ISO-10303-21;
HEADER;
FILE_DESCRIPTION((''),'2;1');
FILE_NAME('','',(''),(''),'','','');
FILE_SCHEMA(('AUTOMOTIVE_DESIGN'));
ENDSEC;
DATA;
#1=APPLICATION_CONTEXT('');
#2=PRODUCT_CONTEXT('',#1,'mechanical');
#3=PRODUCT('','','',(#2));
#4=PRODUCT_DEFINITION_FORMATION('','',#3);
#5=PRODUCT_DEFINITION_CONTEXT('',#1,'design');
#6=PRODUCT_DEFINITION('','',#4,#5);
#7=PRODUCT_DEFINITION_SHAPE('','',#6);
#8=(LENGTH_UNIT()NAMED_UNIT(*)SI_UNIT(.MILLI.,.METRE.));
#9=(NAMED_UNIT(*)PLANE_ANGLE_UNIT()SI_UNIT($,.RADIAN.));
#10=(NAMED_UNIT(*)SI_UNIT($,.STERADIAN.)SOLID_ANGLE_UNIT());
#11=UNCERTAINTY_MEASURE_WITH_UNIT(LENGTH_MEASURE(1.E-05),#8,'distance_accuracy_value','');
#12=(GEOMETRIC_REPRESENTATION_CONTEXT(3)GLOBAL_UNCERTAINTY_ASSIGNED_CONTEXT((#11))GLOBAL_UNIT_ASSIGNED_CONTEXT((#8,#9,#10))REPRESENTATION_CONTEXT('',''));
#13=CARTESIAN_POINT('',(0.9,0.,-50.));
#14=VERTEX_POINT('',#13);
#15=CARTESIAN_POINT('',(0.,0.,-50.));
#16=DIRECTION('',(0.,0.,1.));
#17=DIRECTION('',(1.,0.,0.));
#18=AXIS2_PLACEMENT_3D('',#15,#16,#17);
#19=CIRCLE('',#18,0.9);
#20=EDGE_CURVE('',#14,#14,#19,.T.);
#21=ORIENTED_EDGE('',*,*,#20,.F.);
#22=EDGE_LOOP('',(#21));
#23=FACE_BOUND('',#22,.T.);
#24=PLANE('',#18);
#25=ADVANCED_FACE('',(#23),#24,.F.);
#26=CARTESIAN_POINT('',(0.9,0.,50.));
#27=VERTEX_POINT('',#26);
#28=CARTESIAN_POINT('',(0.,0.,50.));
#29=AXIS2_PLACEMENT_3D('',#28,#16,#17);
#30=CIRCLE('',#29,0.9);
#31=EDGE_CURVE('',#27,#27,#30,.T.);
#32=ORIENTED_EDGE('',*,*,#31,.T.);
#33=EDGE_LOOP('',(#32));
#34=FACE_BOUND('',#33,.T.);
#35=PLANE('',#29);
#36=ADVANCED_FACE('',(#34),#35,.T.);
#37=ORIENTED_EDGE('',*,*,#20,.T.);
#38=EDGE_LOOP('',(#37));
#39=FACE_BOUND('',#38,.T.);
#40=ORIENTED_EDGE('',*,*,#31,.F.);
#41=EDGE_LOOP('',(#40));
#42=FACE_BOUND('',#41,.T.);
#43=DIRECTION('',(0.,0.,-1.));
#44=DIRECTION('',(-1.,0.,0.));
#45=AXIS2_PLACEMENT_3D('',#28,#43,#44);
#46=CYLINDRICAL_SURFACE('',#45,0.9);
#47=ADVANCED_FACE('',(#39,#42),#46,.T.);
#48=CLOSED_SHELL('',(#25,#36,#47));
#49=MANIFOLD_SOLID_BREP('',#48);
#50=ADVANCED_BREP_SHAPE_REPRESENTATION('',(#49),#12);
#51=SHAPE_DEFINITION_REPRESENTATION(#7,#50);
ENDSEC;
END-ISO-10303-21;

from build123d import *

# Parameters (mm, degrees)
CROQUIS1_R              = 0.9
SALIENTE_EXTRUIR1_DEPTH = 50


with BuildPart() as part:
    # Croquis1 → Saliente-Extruir1 (new body, symmetric)
    with BuildSketch(Plane.XY):
        Circle(CROQUIS1_R)
    extrude(amount=SALIENTE_EXTRUIR1_DEPTH, both=True)


solid = part.part
